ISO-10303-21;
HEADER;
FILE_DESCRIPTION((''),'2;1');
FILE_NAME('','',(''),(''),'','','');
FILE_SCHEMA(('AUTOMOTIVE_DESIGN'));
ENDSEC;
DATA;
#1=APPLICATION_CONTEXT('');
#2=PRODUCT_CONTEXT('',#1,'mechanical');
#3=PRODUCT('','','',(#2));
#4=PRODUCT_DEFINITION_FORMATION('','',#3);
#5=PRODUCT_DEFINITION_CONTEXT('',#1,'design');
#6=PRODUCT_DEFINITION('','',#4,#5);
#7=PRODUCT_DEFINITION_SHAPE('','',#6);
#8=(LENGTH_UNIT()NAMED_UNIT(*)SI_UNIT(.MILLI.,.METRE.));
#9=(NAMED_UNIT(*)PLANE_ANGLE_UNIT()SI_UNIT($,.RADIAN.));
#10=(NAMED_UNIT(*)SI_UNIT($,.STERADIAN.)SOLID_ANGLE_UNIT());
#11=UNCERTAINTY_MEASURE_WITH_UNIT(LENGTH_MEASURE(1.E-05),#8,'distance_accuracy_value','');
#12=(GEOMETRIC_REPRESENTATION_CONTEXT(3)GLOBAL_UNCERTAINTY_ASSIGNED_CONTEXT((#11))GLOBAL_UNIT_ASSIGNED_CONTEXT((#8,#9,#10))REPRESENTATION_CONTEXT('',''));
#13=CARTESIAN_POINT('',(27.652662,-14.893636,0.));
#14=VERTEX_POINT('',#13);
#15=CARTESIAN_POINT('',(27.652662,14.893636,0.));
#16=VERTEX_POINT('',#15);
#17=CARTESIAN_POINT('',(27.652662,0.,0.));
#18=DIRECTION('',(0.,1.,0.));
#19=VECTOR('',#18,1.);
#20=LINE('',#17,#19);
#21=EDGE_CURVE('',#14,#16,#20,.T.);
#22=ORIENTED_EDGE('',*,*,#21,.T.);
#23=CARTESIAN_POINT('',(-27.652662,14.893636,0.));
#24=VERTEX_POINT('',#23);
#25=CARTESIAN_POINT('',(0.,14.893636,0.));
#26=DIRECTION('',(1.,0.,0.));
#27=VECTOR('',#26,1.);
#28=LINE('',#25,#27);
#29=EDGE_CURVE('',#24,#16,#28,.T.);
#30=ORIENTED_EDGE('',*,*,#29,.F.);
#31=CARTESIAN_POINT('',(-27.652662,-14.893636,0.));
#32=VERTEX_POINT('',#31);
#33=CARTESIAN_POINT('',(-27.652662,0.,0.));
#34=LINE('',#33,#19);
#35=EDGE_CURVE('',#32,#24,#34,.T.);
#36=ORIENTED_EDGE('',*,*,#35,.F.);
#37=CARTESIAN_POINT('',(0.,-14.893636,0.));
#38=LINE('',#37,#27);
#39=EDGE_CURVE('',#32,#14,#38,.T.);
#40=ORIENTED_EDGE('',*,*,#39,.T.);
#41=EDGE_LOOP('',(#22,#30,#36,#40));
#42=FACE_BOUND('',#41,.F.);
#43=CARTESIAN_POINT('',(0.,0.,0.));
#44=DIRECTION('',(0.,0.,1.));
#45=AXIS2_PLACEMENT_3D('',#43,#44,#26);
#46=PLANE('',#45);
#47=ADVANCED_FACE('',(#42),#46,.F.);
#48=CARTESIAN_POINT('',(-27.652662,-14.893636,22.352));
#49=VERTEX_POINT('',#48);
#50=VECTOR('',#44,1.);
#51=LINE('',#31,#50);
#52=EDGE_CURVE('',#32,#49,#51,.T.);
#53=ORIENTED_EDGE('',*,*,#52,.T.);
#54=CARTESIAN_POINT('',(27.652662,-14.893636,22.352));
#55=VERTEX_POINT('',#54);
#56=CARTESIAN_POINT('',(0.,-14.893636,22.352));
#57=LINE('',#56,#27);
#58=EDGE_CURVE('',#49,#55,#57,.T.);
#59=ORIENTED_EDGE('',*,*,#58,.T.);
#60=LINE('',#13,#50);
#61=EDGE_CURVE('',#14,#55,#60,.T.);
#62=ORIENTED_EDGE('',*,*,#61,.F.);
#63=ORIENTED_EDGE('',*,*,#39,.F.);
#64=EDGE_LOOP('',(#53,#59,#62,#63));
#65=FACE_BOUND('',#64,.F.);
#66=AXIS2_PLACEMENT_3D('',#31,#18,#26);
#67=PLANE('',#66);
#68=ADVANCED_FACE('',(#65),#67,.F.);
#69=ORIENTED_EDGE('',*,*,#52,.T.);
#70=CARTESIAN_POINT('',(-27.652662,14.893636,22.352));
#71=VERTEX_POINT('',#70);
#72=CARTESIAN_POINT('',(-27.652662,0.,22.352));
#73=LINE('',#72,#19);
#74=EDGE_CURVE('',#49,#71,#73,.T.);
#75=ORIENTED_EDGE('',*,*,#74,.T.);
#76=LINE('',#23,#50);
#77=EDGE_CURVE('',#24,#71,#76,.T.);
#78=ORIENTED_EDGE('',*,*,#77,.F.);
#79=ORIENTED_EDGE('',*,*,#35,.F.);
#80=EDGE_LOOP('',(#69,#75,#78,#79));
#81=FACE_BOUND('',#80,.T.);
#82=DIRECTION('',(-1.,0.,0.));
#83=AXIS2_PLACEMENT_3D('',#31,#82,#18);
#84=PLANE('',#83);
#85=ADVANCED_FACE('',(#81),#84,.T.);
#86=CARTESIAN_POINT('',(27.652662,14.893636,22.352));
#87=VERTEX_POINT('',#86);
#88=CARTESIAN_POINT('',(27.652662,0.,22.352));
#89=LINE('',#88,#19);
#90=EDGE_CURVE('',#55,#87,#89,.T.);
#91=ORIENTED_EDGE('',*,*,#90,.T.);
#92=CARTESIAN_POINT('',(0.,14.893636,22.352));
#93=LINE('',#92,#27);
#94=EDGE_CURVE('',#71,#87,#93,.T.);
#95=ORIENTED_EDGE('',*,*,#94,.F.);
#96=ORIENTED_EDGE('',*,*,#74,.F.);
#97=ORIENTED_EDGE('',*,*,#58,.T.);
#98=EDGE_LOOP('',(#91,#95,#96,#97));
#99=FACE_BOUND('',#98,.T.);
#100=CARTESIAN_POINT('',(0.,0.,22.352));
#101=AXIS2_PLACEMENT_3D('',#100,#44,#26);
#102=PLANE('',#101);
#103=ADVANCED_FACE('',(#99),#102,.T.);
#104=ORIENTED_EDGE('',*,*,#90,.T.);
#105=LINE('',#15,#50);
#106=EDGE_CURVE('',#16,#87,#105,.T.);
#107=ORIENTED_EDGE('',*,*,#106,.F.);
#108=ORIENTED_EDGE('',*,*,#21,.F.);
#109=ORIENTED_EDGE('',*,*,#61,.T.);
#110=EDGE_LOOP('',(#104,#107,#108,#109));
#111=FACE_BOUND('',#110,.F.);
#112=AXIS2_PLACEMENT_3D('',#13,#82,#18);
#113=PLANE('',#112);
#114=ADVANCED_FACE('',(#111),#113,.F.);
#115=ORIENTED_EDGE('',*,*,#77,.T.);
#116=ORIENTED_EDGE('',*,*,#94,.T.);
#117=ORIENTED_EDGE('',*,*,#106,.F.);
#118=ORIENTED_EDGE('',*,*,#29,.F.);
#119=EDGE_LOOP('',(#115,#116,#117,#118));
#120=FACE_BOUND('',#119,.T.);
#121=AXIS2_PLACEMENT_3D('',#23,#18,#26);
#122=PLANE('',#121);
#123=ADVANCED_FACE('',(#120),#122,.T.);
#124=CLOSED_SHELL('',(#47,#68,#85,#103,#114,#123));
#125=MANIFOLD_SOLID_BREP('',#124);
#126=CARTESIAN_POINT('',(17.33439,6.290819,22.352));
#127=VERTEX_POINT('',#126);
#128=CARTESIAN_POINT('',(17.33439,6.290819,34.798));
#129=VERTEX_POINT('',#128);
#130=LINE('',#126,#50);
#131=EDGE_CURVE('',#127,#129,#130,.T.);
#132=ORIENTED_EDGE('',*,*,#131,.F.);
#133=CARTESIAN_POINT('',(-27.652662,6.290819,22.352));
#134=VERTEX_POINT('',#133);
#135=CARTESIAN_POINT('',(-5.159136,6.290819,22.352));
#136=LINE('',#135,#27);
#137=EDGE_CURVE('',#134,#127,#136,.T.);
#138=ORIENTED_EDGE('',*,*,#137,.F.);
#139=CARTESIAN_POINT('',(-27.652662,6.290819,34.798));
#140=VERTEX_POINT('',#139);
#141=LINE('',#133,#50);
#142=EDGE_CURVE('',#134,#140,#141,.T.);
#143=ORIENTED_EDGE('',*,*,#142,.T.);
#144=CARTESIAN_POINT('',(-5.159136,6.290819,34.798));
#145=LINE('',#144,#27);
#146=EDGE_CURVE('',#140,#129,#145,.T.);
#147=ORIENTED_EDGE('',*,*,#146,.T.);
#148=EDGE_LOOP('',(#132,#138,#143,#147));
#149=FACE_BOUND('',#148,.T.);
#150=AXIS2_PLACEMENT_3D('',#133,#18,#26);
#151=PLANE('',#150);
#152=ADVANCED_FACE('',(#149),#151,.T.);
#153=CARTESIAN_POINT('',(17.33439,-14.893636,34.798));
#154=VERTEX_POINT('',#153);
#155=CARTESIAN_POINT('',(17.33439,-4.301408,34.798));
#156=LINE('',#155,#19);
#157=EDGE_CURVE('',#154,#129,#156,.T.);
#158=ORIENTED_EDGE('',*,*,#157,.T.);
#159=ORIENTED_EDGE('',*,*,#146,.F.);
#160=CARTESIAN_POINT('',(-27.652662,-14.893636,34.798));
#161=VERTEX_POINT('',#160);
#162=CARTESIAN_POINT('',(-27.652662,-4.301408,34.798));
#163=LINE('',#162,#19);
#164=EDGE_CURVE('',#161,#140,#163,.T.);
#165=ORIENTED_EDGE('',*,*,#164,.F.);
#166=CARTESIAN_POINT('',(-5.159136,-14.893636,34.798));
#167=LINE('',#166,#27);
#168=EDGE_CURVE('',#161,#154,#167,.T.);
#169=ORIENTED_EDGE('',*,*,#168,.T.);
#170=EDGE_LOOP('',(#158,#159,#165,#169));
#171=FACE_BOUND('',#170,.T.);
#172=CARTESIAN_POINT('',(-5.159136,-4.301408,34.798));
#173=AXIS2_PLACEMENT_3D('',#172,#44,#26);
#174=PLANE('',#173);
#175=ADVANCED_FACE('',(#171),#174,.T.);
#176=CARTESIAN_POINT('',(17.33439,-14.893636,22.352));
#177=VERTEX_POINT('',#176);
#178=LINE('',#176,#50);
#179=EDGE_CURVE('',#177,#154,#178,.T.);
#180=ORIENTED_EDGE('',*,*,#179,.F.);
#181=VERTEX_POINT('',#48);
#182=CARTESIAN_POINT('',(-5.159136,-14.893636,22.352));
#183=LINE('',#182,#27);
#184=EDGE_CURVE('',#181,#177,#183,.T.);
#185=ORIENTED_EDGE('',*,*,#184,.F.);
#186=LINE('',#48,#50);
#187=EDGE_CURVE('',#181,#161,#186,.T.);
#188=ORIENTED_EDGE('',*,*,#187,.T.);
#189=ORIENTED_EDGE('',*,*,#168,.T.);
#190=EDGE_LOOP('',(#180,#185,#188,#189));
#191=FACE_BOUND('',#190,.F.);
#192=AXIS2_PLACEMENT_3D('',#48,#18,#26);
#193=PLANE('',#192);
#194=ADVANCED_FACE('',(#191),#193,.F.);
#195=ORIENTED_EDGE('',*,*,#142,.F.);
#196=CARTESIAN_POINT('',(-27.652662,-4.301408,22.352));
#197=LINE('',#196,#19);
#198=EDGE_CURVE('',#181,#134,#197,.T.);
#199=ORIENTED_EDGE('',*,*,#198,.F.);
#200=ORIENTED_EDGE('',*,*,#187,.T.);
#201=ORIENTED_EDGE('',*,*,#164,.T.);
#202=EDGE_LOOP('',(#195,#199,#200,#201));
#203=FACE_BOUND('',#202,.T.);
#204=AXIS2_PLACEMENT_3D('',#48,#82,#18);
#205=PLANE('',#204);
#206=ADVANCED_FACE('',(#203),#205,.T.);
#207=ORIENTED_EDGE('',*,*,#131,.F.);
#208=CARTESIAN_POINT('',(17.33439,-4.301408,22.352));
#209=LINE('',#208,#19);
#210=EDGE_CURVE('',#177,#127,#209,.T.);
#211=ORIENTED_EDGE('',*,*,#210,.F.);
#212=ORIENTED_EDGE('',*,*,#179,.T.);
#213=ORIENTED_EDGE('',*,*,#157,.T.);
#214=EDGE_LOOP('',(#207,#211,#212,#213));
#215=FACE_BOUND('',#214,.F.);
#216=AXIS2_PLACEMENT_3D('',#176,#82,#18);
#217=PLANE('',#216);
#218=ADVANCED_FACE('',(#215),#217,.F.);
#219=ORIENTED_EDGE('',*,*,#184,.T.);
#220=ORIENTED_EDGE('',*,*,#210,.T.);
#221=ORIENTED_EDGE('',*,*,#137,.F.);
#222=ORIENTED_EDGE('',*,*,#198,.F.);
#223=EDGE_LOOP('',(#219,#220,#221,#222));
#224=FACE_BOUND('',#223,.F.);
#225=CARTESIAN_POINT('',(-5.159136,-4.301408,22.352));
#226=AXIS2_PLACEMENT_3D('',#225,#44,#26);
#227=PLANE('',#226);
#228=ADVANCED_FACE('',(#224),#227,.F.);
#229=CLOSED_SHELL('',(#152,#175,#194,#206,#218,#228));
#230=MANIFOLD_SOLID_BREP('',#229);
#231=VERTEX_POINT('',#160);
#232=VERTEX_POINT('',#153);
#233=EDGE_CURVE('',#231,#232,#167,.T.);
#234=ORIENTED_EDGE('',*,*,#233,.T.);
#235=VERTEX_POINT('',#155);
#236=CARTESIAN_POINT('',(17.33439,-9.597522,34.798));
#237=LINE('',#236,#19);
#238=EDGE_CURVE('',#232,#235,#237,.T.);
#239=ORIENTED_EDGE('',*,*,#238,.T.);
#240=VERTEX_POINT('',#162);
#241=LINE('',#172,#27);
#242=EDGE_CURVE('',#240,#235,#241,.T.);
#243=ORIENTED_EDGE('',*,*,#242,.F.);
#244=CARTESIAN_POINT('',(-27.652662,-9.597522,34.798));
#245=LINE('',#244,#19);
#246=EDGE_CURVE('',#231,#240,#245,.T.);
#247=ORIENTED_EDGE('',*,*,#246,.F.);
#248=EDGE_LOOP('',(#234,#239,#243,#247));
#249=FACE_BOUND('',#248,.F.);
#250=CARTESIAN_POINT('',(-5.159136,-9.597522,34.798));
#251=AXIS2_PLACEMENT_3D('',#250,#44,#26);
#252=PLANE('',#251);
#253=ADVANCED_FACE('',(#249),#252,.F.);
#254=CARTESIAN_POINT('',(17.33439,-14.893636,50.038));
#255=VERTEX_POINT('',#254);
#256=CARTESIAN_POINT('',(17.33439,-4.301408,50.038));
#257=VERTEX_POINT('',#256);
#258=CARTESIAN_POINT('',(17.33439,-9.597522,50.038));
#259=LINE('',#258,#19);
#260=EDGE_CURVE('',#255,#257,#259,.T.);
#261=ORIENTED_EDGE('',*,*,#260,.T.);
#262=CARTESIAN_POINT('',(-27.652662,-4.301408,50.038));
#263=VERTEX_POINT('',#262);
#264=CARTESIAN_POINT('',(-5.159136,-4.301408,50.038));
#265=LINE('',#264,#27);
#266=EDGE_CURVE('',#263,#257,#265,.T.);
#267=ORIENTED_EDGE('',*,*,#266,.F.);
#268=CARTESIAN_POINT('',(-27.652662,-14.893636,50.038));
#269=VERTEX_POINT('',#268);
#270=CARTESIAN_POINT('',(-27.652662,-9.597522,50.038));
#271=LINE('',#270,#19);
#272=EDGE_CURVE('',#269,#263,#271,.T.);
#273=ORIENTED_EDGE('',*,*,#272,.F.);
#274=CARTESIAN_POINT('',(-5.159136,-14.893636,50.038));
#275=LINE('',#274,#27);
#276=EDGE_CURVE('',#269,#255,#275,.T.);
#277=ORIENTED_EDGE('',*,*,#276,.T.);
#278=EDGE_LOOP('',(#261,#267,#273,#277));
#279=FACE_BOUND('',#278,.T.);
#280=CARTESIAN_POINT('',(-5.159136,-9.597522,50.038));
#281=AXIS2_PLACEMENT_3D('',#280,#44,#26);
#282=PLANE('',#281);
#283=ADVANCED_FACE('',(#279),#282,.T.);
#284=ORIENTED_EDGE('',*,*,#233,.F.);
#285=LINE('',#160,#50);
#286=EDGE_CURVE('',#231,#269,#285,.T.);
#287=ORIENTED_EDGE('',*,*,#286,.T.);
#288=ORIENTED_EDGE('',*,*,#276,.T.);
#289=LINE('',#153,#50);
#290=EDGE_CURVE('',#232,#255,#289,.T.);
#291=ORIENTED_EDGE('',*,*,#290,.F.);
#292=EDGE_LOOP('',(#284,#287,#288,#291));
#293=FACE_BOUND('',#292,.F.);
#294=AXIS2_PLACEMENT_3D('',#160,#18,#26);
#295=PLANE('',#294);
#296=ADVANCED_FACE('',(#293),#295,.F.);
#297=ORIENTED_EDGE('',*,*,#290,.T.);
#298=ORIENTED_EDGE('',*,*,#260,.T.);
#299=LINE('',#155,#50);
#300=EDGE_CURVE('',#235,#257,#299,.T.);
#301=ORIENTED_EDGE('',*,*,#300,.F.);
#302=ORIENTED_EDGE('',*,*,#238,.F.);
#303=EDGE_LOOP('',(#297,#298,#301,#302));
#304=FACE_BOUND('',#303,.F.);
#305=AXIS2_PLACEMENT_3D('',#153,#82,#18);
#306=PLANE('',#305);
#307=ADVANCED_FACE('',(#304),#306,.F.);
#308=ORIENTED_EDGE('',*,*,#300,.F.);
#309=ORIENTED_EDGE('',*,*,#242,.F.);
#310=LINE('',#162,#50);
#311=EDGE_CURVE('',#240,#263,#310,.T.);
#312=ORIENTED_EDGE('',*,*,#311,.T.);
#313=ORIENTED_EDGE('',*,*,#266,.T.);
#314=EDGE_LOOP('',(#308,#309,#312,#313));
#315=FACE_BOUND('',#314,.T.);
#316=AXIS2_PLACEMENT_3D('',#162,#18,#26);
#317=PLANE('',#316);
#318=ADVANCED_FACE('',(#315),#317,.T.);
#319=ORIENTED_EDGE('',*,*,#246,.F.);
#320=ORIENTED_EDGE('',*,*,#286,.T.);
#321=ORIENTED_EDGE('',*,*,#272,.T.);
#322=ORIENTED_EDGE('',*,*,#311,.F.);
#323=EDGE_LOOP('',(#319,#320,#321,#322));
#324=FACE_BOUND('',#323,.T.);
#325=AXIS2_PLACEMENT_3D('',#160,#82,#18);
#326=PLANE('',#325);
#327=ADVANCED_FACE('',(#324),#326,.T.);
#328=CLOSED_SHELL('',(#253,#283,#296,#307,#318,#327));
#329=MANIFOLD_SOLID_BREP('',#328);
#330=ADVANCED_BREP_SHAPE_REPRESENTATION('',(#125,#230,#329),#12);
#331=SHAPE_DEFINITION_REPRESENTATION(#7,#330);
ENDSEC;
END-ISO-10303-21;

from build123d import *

# Parameters (mm, degrees)
F0_W     = 55.305324
F0_H     = 29.787272
F1_DEPTH = 22.352
F2_W     = 44.987052
F2_H     = 21.184455
F3_DEPTH = 12.446
F4_W     = 44.987052
F4_H     = 10.592228
F5_DEPTH = 15.24


with BuildPart() as f1:
    # F0 (on Top) → F1 (new body)
    with BuildSketch(Plane.XY):
        Rectangle(F0_W, F0_H)
    extrude(amount=F1_DEPTH)


with BuildPart() as f3:
    # F2 (on face) → F3 (new body)
    with BuildSketch(Plane.XY.offset(22.352)):
        with Locations((-5.159136, -4.301408)):
            Rectangle(F2_W, F2_H)
    extrude(amount=F3_DEPTH)


with BuildPart() as f5:
    # F4 (on face) → F5 (new body)
    with BuildSketch(Plane.XY.offset(34.798)):
        with Locations((-5.159136, -9.597522)):
            Rectangle(F4_W, F4_H)
    extrude(amount=F5_DEPTH)


solid = Compound([f1.part, f3.part, f5.part])
